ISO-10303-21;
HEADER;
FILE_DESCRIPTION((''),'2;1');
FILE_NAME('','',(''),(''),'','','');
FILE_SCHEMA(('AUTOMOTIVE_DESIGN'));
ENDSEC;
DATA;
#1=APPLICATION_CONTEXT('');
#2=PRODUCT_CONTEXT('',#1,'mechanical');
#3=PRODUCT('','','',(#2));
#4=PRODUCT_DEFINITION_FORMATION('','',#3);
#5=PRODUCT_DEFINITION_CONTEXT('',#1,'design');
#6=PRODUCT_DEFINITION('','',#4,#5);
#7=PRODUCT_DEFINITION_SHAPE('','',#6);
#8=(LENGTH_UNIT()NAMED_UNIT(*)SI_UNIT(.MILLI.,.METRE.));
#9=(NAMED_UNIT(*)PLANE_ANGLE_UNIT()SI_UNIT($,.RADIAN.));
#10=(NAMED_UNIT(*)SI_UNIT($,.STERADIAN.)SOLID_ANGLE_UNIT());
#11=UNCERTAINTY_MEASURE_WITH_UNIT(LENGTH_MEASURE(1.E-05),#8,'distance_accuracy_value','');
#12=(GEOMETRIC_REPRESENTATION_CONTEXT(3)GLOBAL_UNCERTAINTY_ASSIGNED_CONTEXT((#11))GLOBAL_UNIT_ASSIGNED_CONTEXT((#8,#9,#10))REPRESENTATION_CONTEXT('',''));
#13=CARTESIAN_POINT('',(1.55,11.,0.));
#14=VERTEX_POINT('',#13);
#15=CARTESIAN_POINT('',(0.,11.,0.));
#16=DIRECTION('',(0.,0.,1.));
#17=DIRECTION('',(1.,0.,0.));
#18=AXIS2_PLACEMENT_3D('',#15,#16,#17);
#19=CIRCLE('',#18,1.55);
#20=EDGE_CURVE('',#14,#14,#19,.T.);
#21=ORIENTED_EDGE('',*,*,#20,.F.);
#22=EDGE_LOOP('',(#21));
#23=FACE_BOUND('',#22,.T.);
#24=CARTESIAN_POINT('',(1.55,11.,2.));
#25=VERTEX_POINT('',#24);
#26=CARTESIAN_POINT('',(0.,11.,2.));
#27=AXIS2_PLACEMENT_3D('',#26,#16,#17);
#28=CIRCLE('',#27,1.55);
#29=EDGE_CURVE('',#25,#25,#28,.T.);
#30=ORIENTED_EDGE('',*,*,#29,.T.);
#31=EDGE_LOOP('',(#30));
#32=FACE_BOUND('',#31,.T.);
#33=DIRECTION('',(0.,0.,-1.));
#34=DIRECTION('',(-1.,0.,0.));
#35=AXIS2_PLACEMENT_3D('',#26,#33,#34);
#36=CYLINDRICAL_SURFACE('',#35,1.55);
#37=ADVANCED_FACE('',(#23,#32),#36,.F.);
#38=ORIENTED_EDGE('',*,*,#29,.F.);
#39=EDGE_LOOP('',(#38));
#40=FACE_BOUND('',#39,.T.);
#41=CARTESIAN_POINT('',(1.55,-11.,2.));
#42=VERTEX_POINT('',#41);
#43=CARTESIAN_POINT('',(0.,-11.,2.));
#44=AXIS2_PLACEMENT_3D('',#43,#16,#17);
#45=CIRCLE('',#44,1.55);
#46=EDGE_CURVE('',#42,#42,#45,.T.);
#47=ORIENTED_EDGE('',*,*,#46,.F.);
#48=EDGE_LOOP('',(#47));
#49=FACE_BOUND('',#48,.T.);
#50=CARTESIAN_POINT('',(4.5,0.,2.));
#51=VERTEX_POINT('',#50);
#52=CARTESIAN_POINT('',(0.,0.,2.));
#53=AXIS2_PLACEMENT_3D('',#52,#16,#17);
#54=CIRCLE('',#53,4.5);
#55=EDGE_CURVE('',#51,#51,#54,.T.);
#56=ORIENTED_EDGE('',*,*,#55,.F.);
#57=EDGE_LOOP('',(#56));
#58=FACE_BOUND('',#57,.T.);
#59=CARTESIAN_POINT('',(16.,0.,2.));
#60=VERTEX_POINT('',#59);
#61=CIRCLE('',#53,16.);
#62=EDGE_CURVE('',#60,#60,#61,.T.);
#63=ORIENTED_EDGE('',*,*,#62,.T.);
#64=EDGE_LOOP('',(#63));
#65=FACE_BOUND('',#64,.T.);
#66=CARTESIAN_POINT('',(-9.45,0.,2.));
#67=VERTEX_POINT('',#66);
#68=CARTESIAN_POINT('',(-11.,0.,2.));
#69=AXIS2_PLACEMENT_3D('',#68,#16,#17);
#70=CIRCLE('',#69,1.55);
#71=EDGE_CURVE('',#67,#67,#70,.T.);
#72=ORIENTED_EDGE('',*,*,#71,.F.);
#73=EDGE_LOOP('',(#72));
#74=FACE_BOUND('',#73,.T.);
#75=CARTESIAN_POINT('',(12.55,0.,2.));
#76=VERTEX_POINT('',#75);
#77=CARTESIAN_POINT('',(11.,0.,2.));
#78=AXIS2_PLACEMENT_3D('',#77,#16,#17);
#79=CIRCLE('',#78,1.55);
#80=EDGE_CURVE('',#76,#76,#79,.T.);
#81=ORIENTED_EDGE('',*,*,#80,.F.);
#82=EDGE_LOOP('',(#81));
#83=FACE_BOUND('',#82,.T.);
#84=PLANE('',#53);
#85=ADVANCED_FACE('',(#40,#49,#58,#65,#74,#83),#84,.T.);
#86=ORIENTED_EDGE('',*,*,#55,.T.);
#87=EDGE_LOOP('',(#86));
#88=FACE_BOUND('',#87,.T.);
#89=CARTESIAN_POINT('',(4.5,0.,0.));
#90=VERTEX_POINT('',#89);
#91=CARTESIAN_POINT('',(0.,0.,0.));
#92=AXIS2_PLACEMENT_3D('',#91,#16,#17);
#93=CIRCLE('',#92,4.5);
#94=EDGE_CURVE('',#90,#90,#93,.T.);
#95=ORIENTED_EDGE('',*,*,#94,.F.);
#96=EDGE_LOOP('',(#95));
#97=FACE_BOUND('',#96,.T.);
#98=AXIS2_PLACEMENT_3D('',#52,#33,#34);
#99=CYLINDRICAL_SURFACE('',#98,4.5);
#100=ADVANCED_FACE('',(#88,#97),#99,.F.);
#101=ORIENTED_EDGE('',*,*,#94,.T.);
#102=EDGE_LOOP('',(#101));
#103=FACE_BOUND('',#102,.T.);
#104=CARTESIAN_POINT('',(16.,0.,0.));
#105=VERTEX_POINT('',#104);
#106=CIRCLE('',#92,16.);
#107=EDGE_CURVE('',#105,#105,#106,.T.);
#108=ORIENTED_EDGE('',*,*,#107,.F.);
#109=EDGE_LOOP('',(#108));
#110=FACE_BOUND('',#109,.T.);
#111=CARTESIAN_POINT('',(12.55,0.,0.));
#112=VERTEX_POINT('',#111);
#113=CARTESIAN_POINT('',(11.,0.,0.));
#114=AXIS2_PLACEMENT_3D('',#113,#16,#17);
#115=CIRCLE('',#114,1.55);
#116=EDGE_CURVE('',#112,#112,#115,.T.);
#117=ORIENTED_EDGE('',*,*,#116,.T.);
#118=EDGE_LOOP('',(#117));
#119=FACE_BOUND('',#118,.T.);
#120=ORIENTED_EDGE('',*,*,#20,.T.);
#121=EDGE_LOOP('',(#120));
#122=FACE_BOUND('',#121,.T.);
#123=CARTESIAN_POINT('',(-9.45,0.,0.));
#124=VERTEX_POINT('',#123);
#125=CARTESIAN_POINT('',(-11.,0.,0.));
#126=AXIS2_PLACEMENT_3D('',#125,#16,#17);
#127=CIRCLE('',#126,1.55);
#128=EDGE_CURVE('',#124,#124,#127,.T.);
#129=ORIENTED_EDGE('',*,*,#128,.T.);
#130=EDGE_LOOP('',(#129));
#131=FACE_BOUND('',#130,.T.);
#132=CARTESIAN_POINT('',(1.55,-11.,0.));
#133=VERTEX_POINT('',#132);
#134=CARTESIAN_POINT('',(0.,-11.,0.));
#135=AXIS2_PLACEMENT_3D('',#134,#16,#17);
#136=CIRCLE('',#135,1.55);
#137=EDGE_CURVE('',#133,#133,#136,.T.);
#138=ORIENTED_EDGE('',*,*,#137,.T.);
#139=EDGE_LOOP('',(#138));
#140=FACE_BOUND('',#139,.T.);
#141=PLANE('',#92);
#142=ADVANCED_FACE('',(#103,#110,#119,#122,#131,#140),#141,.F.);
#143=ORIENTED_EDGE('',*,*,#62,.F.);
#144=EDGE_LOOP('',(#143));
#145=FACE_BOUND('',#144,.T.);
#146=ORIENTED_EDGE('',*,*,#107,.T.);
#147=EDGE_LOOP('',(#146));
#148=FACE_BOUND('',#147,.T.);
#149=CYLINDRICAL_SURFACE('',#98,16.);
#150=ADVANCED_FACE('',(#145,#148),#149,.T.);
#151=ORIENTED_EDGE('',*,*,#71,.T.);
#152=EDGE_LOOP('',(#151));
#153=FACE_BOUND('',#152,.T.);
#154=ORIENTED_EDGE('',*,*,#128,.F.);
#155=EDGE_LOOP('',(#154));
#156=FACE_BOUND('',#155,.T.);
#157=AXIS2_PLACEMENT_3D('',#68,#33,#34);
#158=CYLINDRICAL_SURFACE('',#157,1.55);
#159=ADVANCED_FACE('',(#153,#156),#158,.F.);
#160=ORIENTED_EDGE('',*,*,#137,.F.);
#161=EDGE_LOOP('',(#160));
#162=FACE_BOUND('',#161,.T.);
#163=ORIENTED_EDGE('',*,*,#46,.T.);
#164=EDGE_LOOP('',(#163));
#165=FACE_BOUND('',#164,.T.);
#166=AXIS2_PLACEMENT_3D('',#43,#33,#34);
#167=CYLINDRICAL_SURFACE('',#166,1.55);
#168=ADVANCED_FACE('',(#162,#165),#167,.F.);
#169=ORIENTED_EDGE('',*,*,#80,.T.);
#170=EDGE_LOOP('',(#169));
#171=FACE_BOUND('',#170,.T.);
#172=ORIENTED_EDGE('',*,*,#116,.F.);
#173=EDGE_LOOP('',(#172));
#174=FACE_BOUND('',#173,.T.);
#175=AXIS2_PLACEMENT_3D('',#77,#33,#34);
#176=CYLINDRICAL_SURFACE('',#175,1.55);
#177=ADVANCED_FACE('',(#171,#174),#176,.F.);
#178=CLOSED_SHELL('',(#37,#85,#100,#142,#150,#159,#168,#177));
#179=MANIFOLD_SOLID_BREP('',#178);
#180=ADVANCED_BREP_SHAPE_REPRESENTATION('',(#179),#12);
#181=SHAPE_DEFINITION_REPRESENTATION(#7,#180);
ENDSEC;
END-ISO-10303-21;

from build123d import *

# Parameters (mm, degrees)
SKETCH1_R           = 16
SKETCH1_R_2         = 4.5
SKETCH1_R_3         = 1.55
BOSS_EXTRUDE1_DEPTH = 2


with BuildPart() as part:
    # Sketch1 → Boss-Extrude1 (new body)
    with BuildSketch(Plane.XY):
        Circle(SKETCH1_R)
        Circle(SKETCH1_R_2, mode=Mode.SUBTRACT)
        with Locations((0, 11)):
            Circle(SKETCH1_R_3, mode=Mode.SUBTRACT)
        with Locations((11, 0)):
            Circle(SKETCH1_R_3, mode=Mode.SUBTRACT)
        with Locations((0, -11)):
            Circle(SKETCH1_R_3, mode=Mode.SUBTRACT)
        with Locations((-11, 0)):
            Circle(SKETCH1_R_3, mode=Mode.SUBTRACT)
    extrude(amount=BOSS_EXTRUDE1_DEPTH)


solid = part.part
